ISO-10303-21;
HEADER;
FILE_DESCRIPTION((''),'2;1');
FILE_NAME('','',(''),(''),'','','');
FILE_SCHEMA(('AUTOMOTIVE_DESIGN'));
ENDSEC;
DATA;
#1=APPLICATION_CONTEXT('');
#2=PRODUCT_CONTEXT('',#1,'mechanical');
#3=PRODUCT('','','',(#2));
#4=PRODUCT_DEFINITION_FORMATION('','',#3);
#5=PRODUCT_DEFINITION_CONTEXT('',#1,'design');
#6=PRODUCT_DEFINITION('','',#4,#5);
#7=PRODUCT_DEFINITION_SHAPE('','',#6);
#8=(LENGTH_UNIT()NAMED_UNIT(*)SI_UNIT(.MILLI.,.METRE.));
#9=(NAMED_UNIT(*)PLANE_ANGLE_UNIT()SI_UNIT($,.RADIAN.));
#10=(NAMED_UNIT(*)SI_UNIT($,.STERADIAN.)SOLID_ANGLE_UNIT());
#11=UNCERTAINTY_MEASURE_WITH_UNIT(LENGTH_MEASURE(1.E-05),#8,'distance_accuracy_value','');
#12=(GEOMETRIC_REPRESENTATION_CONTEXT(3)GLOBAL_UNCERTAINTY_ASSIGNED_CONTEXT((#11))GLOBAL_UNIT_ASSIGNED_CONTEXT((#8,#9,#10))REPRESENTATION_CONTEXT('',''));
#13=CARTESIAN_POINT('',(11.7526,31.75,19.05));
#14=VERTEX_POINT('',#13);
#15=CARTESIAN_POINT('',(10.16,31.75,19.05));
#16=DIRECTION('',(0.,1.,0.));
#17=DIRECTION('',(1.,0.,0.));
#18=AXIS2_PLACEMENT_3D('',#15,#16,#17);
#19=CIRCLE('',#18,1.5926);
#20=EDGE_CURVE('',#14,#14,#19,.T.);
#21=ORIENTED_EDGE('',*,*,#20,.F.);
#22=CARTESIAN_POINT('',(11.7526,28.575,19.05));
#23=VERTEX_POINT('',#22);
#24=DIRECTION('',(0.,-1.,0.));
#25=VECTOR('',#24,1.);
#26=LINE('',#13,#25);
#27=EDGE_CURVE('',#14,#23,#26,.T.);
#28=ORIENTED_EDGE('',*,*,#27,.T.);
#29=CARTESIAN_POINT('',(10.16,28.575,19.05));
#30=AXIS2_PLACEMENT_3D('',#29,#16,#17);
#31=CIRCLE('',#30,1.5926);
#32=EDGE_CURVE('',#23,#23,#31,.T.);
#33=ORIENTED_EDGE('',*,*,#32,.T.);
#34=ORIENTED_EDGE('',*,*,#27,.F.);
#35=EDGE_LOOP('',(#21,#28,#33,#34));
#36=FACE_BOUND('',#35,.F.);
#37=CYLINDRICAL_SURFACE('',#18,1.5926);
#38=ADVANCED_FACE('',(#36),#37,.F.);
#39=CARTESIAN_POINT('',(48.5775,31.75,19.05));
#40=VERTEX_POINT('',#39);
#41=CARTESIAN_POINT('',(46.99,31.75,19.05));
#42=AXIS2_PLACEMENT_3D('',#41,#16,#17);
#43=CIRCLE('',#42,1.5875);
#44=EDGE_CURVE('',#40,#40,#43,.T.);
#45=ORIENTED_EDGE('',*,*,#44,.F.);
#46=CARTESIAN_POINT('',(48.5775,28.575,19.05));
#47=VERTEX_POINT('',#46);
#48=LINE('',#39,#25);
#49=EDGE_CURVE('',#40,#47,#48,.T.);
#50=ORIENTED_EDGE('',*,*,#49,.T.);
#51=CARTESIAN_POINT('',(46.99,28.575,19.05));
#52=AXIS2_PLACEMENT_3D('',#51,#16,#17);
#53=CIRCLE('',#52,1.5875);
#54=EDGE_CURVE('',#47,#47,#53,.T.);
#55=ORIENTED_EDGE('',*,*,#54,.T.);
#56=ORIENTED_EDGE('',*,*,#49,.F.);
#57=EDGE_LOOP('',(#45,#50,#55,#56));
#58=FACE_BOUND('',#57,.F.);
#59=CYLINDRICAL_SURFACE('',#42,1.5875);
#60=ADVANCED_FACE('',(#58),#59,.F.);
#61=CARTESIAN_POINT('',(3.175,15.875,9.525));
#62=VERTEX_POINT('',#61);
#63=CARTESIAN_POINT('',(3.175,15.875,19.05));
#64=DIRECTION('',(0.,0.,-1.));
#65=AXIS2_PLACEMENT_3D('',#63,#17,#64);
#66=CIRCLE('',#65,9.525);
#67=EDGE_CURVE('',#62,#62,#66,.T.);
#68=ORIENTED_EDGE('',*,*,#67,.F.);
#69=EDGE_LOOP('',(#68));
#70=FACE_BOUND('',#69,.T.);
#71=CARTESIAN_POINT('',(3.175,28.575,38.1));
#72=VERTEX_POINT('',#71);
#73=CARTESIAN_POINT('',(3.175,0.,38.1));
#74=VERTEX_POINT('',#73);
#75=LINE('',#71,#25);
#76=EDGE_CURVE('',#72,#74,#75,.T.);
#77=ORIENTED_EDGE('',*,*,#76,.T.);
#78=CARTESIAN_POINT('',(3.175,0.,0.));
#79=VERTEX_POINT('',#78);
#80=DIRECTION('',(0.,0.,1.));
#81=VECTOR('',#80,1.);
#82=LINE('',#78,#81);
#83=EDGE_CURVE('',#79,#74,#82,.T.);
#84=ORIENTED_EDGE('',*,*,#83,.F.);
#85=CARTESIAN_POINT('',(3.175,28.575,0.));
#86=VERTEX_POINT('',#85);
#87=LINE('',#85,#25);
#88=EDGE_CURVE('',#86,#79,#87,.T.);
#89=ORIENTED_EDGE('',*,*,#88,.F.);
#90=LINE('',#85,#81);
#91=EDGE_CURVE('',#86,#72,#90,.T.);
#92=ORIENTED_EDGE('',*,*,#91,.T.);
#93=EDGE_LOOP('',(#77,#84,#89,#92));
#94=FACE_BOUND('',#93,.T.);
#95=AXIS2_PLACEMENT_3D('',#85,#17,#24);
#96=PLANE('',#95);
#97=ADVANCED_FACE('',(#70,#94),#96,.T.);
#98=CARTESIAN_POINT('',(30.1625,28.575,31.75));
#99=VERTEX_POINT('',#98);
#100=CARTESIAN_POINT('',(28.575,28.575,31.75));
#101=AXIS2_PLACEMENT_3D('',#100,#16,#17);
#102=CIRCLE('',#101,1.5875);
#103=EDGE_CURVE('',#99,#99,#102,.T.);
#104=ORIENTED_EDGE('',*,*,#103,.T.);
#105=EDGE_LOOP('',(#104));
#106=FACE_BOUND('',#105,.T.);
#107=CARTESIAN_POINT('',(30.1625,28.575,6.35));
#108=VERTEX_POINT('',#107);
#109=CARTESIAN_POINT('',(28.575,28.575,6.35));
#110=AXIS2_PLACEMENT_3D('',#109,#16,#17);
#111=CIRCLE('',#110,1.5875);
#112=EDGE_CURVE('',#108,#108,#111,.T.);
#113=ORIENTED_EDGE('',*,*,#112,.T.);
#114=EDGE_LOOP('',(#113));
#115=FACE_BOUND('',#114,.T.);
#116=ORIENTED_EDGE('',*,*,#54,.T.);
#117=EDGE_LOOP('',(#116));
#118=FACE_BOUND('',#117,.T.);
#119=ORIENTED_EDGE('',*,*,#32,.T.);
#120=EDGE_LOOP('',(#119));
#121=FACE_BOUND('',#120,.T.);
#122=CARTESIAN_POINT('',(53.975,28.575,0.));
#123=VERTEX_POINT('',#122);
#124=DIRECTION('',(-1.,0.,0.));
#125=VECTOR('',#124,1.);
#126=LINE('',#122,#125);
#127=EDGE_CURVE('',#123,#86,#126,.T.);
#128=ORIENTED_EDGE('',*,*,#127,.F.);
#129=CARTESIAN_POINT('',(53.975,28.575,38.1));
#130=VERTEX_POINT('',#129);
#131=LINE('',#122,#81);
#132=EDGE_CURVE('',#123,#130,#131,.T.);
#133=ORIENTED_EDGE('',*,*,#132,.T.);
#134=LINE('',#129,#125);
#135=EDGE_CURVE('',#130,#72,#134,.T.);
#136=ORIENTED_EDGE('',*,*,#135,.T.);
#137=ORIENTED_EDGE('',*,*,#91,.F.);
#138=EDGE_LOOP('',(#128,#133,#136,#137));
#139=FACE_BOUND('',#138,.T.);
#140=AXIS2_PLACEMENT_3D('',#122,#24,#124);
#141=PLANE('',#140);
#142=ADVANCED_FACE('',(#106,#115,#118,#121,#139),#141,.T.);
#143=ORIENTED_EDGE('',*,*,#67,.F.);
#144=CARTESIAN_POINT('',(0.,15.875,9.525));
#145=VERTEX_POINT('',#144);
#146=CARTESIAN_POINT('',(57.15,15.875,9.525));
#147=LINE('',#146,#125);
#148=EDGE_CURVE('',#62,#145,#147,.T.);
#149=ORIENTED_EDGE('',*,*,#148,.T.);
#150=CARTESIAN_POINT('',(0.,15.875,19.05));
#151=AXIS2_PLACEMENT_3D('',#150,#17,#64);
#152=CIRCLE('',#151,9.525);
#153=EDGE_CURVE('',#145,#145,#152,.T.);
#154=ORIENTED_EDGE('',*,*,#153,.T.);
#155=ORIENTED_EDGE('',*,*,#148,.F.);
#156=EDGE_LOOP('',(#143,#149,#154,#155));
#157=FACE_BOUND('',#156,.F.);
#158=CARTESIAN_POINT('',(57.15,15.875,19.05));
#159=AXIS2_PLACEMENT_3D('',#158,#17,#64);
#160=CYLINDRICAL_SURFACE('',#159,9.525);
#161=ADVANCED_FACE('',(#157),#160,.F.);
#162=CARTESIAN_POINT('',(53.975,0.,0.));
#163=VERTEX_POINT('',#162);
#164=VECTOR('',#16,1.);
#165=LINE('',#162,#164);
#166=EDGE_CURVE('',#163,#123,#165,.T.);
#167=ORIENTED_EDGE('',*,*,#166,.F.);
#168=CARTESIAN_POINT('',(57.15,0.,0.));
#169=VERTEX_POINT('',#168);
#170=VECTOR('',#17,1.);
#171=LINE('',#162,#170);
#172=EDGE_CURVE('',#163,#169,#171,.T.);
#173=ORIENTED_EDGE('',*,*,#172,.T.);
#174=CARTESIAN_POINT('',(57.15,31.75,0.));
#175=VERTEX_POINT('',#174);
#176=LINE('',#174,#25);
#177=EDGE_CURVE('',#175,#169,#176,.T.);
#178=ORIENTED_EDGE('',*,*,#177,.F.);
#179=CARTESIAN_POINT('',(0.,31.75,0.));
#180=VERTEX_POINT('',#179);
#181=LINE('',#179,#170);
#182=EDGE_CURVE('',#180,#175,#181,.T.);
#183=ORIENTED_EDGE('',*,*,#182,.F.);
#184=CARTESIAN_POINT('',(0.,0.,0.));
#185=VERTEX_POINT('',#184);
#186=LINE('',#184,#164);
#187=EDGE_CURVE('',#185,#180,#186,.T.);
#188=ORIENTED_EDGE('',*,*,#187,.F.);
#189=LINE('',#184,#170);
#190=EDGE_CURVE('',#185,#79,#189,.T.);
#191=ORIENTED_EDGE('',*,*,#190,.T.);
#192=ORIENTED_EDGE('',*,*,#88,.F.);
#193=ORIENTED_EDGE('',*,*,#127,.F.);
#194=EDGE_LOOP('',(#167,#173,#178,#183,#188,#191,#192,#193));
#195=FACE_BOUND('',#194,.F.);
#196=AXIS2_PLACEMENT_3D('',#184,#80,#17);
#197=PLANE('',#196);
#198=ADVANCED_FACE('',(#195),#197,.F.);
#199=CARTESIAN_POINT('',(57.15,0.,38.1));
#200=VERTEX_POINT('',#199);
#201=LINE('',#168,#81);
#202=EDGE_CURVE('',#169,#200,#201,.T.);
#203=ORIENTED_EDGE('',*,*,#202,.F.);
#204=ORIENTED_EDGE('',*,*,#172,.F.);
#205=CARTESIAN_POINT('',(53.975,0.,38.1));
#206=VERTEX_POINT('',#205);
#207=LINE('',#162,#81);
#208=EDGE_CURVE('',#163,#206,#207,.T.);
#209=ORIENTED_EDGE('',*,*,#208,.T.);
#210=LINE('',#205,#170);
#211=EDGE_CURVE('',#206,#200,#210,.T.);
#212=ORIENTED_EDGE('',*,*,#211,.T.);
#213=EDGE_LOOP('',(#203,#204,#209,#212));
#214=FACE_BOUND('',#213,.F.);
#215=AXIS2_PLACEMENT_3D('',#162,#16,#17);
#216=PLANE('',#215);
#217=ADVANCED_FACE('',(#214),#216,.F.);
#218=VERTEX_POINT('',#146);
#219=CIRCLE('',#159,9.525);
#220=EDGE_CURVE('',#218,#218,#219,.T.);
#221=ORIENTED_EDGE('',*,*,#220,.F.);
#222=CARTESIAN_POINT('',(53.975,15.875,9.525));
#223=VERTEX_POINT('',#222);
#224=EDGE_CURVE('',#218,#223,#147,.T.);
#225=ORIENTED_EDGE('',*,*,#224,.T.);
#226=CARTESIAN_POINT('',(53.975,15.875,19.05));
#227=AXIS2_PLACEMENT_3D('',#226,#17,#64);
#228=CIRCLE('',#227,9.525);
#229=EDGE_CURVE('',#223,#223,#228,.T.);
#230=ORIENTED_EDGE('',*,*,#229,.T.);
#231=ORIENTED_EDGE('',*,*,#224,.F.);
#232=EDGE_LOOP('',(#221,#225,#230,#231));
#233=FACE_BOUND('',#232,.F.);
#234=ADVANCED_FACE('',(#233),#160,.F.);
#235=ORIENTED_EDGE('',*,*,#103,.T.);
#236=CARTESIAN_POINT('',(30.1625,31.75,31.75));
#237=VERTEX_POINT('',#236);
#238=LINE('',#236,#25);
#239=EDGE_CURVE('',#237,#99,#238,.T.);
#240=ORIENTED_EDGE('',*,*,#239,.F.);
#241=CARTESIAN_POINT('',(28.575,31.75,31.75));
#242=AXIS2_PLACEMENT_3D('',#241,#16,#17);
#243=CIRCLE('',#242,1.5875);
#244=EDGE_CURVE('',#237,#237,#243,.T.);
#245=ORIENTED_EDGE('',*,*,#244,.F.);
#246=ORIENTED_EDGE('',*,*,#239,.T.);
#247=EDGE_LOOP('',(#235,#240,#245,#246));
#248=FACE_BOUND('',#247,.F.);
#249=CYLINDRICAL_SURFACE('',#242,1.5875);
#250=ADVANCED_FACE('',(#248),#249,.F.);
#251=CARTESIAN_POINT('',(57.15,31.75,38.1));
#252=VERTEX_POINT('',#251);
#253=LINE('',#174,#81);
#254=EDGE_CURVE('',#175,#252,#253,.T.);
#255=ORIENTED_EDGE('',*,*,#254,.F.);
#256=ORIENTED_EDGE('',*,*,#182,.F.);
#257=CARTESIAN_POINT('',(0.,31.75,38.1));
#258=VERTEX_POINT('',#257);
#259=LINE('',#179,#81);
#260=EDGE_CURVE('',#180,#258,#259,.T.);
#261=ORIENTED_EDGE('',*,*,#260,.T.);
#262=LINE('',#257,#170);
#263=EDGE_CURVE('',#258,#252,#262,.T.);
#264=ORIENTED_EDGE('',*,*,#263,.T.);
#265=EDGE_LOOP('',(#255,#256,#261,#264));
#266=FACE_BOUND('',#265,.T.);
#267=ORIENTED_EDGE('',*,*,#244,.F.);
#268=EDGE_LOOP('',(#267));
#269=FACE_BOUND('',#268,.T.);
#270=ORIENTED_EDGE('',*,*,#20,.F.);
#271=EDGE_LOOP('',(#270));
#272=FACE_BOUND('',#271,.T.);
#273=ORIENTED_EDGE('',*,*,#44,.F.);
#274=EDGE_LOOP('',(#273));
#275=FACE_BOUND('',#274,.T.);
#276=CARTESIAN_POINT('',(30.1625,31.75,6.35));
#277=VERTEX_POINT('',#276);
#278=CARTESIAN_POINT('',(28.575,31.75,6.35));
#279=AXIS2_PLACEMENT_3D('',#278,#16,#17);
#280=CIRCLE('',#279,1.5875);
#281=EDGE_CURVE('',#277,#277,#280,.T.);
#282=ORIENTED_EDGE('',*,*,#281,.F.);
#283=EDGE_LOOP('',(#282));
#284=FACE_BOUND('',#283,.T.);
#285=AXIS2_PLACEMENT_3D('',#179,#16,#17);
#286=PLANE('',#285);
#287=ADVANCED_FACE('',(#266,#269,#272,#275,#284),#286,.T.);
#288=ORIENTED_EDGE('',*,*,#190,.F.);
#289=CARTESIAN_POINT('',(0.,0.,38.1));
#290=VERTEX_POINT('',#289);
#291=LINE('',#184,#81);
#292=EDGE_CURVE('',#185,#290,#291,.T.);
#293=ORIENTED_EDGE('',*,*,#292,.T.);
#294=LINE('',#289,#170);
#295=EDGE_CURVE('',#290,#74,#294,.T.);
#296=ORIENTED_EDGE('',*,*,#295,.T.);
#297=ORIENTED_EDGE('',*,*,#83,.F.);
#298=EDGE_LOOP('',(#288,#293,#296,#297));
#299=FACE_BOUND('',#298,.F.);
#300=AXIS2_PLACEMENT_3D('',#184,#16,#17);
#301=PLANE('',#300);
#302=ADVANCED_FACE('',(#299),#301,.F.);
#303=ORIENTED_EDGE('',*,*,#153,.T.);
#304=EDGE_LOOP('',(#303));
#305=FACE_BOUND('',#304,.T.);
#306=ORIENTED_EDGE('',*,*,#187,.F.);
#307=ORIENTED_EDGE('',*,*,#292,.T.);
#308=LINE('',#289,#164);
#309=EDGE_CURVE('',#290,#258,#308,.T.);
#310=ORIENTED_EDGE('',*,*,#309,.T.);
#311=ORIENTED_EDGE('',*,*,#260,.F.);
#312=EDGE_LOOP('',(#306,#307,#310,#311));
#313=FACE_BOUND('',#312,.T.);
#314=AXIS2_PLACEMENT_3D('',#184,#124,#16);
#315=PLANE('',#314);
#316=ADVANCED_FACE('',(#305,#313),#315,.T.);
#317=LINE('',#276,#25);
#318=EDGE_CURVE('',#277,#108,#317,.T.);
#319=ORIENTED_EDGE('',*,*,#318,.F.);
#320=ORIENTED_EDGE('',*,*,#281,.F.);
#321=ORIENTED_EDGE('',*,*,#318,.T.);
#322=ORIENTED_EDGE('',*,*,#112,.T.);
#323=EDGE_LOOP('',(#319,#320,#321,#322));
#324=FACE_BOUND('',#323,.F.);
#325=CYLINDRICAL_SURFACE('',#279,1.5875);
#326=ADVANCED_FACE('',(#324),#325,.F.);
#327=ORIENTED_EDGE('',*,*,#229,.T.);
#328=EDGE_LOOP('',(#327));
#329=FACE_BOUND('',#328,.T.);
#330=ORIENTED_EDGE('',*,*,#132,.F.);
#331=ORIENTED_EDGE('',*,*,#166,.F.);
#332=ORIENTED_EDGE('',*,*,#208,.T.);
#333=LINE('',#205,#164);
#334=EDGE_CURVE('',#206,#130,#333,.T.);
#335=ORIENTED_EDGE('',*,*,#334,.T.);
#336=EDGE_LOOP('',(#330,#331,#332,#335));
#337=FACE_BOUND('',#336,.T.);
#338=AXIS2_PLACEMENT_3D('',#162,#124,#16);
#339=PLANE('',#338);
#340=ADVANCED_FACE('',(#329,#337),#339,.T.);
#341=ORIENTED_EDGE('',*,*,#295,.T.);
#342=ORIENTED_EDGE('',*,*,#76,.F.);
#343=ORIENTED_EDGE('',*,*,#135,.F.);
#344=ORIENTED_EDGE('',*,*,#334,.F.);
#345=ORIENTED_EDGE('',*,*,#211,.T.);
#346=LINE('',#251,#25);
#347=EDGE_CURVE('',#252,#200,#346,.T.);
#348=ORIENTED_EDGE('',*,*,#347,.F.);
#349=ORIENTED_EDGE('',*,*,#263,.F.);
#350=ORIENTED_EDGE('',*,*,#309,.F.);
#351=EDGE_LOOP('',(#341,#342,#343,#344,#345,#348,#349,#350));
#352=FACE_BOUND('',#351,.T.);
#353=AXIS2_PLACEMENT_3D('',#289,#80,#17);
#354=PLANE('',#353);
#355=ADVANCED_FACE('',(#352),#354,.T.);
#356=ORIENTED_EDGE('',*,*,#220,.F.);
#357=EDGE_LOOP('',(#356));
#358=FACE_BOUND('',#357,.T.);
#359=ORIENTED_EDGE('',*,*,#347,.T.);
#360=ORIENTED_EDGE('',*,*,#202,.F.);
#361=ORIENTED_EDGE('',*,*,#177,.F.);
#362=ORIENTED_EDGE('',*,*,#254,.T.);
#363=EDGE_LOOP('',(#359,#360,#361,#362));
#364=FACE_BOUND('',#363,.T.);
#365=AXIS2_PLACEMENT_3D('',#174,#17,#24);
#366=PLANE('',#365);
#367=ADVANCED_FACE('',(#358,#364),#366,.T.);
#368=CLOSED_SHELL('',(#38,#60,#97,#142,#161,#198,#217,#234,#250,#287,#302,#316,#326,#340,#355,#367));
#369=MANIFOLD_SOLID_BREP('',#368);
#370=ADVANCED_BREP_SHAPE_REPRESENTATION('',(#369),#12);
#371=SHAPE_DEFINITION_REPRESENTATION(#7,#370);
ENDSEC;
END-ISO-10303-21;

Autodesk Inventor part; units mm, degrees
ref_plane "YZ Plane" through (0, 0, 0) normal (1, 0, 0) x (0, 1, 0)
ref_plane "XZ Plane" through (0, 0, 0) normal (0, 1, 0) x (-1, 0, 0)
ref_plane "XY Plane" through (0, 0, 0) normal (0, 0, 1) x (1, 0, 0)
sketch "Sketch1" plane through (0, 0, 0) normal (0, 0, 1) x (1, 0, 0)
  line L0 (0, 0) -> (0, 31.75)
  line L1 (0, 31.75) -> (57.15, 31.75)
  line L2 (57.15, 31.75) -> (57.15, 0)
  line L3 (53.975, 0) -> (53.975, 28.575)
  line L4 (53.975, 28.575) -> (3.175, 28.575)
  line L5 (3.175, 28.575) -> (3.175, 0)
  line L6 (0, 0) -> (3.175, 0)
  line L7 (53.975, 0) -> (57.15, 0)
  dimension "d0" = 31.75
  dimension "d1" = 31.75
  dimension "d2" = 57.15
  dimension "d3" = 3.175
extrude "Extrusion1" add sketch "Sketch1" along normal blind 38.1
sketch "Sketch2" plane through (57.15, 0, 0) normal (1, 0, 0) x (0, 0, -1)
  circle A0 centre (-19.05, 15.875) radius 9.525
  dimension "d6" = 19.05
extrude "Extrusion2" cut sketch "Sketch2" against normal blind 38.1
sketch "Sketch3" plane through (0, 0, 0) normal (-1, 0, 0) x (0, 0, 1)
  circle A0 centre (19.05, 15.875) radius 1.5875
  dimension "d10" = 3.175
extrude "Extrusion3" cut sketch "Sketch3" against normal blind 38.1
sketch "Sketch4" plane through (0, 31.75, 0) normal (0, 1, 0) x (1, 0, 0)
  line L0 (0, 0) -> (57.15, 0) projected
  line L1 (0, 0) -> (0, -38.1) projected
  line L2 (57.15, -38.1) -> (0, -38.1) projected
  line L3 (57.15, 0) -> (57.15, -38.1) projected
  circle A0 centre (10.16, -19.05) radius 1.5926
  circle A1 centre (46.99, -19.05) radius 1.5875
  circle A2 centre (28.575, -31.75) radius 1.5875
  circle A3 centre (28.575, -6.35) radius 1.5875
  dimension "d14" = 10.16
  dimension "d15" = 10.16
  dimension "d16" = 19.05
  dimension "d17" = 19.05
  dimension "d18" = 3.1852
  dimension "d19" = 3.175
  dimension "d20" = 3.175
  dimension "d21" = 6.35
  dimension "d22" = 6.35
  dimension "d23" = 3.175
extrude "Extrusion4" cut sketch "Sketch4" against normal blind 38.1 contours A0 | A1 | A2 | A3
sketch "Sketch5" plane through (57.15, 0, 0) normal (1, 0, 0) x (0, 0, -1)
  circle A0 centre (-19.05, 15.875) radius 9.525 projected
extrude "Extrusion5" cut sketch "Sketch5" against normal blind 127
properties part number "Mount" material "Aluminum 6061"
